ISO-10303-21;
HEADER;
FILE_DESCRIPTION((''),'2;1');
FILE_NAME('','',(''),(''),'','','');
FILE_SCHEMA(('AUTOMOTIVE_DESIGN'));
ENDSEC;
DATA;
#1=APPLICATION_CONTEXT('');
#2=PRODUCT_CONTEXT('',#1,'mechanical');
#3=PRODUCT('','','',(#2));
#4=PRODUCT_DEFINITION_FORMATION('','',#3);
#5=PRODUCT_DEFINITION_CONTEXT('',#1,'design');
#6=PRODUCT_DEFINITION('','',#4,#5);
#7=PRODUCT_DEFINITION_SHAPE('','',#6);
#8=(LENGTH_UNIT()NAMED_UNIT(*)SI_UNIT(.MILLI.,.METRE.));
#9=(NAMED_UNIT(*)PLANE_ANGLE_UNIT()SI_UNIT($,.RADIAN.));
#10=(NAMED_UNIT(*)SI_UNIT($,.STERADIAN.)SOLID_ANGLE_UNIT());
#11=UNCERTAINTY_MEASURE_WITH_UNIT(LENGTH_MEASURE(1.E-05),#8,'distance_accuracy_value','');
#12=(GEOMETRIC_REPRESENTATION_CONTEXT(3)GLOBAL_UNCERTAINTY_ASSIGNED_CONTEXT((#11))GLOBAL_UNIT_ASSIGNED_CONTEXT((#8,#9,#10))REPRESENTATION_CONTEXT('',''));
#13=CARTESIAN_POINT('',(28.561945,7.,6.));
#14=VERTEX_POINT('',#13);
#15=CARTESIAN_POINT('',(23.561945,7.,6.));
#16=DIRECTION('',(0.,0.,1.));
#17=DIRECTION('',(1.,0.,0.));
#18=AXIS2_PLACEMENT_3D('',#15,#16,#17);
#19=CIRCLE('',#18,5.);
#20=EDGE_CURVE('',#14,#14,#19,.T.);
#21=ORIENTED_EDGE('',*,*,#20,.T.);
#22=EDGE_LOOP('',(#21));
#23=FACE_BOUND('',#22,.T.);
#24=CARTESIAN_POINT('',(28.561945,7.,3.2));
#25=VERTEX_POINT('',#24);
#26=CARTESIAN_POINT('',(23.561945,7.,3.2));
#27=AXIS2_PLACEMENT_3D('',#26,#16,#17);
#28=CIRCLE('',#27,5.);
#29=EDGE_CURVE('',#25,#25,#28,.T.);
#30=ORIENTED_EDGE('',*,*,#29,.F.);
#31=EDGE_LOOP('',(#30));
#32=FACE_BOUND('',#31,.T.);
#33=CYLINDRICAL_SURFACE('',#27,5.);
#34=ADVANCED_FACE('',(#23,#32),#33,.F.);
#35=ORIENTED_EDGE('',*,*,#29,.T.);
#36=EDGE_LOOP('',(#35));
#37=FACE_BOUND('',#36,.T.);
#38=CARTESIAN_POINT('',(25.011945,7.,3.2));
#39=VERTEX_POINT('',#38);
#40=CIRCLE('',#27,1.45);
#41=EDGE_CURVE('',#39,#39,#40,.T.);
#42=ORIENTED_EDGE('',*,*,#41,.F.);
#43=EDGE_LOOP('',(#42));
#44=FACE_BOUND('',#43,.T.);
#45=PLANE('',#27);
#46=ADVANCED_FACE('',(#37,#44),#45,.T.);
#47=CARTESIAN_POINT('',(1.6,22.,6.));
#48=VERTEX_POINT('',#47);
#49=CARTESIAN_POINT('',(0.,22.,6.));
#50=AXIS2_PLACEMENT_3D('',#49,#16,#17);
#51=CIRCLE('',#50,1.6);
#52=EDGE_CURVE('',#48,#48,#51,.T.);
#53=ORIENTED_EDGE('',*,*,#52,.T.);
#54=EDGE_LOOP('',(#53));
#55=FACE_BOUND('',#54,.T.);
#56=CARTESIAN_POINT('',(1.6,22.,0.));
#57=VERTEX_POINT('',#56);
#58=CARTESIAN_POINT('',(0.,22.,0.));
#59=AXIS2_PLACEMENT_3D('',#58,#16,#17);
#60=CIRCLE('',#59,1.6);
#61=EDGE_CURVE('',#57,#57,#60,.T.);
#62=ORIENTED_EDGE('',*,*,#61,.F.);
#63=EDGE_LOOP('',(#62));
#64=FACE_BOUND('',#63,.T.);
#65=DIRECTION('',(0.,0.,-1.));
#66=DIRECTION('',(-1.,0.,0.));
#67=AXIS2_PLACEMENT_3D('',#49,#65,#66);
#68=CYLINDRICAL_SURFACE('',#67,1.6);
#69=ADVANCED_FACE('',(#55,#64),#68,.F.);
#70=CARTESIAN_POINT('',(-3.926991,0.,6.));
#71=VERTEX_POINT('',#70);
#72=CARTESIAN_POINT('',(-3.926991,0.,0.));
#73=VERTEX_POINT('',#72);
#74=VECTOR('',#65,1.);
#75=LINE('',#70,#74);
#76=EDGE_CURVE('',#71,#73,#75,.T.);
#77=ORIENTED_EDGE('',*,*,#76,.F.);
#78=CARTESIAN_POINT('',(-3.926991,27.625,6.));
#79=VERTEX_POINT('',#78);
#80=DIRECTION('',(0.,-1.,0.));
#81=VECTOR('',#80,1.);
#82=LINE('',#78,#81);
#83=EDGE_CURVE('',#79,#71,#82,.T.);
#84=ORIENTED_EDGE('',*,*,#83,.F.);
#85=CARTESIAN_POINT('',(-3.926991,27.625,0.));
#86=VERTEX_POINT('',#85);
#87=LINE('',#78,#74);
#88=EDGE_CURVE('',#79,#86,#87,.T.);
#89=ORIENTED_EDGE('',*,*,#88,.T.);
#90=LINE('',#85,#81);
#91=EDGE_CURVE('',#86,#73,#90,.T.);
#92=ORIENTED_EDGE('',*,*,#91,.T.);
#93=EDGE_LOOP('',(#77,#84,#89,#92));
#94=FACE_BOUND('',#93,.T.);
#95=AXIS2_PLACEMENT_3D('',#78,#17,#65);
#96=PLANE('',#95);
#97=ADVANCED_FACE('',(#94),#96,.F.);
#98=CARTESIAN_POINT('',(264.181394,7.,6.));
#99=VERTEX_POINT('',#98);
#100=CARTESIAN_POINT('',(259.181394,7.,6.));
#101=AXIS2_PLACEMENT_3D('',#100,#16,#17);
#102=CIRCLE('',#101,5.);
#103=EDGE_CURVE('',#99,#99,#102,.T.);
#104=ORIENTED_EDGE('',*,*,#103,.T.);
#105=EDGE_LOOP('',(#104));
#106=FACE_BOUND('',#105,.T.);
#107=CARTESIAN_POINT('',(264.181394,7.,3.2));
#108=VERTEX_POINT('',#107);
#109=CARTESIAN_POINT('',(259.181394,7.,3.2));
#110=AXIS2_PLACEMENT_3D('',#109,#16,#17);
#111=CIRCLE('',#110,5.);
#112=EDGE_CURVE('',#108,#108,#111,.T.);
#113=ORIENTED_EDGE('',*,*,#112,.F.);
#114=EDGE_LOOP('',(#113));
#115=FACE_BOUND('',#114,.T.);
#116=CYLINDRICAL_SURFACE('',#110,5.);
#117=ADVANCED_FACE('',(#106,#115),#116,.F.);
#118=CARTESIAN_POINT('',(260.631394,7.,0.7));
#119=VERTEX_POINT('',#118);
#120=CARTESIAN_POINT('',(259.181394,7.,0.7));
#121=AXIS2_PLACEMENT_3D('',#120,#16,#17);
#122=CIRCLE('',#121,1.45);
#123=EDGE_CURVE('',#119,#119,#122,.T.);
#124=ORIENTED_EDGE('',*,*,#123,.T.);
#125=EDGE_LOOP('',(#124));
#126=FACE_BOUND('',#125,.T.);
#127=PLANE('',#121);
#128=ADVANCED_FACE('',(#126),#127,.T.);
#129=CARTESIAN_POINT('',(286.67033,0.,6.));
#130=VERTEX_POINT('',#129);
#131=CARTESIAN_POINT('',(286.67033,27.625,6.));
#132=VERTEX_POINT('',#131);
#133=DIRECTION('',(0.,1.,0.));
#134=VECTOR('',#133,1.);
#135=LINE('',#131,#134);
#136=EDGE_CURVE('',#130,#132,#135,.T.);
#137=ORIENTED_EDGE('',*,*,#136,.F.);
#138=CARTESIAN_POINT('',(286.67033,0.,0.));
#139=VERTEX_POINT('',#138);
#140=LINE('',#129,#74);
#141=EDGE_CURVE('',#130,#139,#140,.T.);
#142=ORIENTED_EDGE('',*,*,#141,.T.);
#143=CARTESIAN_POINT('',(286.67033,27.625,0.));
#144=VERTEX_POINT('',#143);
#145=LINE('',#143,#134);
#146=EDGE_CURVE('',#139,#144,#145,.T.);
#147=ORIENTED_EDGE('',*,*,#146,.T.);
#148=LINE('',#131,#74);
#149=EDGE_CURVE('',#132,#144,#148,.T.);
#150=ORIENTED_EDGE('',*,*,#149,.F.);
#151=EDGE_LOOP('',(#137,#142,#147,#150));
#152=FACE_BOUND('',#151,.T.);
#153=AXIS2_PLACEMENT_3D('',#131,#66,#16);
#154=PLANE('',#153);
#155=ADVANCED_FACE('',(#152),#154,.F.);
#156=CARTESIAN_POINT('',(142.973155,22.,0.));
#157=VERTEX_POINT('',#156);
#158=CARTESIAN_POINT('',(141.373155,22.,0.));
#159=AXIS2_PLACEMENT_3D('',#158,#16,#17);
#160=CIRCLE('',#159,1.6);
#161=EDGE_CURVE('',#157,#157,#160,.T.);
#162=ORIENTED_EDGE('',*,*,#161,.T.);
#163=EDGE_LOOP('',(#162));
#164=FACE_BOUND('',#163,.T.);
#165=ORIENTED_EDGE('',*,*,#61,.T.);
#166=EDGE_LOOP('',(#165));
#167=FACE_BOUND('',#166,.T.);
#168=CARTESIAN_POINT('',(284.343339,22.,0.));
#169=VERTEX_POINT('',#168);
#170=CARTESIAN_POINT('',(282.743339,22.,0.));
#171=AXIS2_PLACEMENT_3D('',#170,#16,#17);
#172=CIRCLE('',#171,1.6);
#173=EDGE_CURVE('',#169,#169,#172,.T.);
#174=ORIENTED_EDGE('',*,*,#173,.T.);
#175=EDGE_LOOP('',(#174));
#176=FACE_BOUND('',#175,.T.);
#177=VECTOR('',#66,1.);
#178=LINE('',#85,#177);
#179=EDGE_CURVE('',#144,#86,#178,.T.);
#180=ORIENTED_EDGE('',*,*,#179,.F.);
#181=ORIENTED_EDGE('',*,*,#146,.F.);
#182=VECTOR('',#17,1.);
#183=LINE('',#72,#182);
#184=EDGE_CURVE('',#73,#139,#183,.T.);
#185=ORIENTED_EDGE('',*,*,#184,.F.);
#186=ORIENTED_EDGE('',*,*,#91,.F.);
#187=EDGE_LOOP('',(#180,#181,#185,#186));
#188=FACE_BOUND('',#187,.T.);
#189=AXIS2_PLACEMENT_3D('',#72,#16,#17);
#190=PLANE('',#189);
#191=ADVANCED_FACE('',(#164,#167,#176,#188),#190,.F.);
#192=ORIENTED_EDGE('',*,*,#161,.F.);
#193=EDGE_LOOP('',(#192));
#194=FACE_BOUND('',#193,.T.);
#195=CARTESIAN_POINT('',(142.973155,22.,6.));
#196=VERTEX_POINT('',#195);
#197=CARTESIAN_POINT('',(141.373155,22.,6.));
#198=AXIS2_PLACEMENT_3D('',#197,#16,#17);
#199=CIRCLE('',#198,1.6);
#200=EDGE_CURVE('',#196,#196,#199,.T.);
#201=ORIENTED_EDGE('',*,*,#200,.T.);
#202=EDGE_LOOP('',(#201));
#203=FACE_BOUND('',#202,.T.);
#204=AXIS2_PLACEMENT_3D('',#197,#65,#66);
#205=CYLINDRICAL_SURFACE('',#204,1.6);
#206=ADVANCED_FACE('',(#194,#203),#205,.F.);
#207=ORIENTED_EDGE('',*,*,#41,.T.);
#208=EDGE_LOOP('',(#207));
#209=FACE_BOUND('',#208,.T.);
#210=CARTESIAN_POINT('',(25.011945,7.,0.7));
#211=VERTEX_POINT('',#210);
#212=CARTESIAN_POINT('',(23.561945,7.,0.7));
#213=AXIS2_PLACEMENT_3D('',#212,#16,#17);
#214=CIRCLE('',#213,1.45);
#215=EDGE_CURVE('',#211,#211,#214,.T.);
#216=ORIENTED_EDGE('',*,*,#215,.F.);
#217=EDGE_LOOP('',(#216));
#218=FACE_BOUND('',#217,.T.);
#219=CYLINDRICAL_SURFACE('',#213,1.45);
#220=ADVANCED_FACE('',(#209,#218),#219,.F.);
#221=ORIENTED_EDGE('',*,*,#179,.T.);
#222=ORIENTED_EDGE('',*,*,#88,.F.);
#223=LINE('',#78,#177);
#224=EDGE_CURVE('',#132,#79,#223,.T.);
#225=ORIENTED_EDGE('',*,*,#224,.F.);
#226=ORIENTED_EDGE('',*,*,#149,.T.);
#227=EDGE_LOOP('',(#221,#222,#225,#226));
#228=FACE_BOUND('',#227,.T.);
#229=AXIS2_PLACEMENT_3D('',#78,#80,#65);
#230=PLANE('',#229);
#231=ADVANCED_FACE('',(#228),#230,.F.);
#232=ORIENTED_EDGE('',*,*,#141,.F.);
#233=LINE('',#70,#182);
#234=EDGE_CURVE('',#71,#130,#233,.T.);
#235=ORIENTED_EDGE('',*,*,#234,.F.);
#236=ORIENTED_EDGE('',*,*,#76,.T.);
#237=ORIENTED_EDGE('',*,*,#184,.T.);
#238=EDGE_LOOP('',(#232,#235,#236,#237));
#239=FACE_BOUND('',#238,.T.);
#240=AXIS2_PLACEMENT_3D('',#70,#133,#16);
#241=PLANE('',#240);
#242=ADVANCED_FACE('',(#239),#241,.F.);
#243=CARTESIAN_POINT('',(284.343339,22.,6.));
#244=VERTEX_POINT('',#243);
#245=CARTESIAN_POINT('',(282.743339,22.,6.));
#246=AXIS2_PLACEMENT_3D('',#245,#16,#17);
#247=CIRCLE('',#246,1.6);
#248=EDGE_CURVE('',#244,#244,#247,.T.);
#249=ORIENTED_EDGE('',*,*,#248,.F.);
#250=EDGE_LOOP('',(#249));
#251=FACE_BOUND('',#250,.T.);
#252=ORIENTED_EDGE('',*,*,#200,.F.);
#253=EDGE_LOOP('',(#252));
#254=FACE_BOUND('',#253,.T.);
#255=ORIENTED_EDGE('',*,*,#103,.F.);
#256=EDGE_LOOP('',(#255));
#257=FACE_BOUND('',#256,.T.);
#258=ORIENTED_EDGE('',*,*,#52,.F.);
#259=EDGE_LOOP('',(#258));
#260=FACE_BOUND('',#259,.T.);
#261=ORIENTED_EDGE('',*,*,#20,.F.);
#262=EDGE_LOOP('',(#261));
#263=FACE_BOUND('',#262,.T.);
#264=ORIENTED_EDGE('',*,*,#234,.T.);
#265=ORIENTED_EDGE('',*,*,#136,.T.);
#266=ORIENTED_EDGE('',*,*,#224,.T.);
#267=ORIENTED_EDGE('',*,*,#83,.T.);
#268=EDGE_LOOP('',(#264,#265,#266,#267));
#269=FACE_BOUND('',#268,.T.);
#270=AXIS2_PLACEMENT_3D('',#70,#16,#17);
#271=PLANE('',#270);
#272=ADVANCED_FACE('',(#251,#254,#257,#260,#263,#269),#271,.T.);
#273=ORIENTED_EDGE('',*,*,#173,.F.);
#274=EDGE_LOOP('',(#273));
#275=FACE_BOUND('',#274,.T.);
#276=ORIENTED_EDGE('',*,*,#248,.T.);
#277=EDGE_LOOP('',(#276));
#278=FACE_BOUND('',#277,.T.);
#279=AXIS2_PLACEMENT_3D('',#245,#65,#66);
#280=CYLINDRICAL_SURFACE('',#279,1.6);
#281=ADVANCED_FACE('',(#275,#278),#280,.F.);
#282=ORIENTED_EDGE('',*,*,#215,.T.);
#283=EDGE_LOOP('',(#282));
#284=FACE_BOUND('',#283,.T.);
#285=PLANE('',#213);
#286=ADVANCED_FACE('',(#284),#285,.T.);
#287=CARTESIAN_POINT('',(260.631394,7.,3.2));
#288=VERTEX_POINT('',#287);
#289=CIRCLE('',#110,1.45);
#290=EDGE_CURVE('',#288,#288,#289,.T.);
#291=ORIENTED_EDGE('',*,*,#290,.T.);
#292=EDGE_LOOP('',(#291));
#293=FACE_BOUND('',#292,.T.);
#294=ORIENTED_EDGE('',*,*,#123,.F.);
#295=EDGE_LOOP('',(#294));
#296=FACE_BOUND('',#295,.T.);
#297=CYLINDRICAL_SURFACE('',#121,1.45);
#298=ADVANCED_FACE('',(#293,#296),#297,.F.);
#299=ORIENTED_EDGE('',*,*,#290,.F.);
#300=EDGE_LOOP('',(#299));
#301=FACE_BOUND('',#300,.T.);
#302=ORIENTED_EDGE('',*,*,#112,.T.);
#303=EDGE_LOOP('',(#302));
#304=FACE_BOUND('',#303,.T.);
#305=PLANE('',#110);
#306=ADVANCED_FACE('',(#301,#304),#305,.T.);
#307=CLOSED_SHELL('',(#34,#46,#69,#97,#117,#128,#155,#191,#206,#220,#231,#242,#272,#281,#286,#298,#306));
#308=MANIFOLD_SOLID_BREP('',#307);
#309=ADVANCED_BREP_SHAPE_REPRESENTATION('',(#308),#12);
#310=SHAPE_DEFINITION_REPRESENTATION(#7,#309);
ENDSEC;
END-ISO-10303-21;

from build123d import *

# Parameters (mm, degrees)
ESQUISSE5_W             = 290.597320494
ESQUISSE5_H             = 27.625
ESQUISSE5_R             = 1.6
EXTRUSION1_DEPTH        = 6
ESQUISSE4_R             = 5
ENL_V_MAT_EXTRU_2_DEPTH = 2.8
ESQUISSE6_R             = 1.45
ENL_V_MAT_EXTRU_3_DEPTH = 2.5


with BuildPart() as part:
    # Esquisse5 → Extrusion1 (new body)
    with BuildSketch(Plane.XY):
        with Locations((141.37166943, 13.8125)):
            Rectangle(ESQUISSE5_W, ESQUISSE5_H)
        with Locations((282.74333886, 22)):
            Circle(ESQUISSE5_R, mode=Mode.SUBTRACT)
        with Locations((0, 22)):
            Circle(ESQUISSE5_R, mode=Mode.SUBTRACT)
        with Locations((141.37315521, 22)):
            Circle(ESQUISSE5_R, mode=Mode.SUBTRACT)
    extrude(amount=EXTRUSION1_DEPTH)

    # Esquisse4 → Enlèv. mat.-Extru.2 (cut)
    with BuildSketch(Plane.XY.offset(6)):
        with Locations((23.561944905, 7)):
            Circle(ESQUISSE4_R)
        with Locations((259.181393955, 7)):
            Circle(ESQUISSE4_R)
    extrude(amount=-ENL_V_MAT_EXTRU_2_DEPTH, mode=Mode.SUBTRACT)

    # Esquisse6 → Enlèv. mat.-Extru.3 (cut)
    with BuildSketch(Plane.XY.offset(3.2)):
        with Locations((23.561944905, 7)):
            Circle(ESQUISSE6_R)
        with Locations((259.181393955, 7)):
            Circle(ESQUISSE6_R)
    extrude(amount=-ENL_V_MAT_EXTRU_3_DEPTH, mode=Mode.SUBTRACT)


solid = part.part
